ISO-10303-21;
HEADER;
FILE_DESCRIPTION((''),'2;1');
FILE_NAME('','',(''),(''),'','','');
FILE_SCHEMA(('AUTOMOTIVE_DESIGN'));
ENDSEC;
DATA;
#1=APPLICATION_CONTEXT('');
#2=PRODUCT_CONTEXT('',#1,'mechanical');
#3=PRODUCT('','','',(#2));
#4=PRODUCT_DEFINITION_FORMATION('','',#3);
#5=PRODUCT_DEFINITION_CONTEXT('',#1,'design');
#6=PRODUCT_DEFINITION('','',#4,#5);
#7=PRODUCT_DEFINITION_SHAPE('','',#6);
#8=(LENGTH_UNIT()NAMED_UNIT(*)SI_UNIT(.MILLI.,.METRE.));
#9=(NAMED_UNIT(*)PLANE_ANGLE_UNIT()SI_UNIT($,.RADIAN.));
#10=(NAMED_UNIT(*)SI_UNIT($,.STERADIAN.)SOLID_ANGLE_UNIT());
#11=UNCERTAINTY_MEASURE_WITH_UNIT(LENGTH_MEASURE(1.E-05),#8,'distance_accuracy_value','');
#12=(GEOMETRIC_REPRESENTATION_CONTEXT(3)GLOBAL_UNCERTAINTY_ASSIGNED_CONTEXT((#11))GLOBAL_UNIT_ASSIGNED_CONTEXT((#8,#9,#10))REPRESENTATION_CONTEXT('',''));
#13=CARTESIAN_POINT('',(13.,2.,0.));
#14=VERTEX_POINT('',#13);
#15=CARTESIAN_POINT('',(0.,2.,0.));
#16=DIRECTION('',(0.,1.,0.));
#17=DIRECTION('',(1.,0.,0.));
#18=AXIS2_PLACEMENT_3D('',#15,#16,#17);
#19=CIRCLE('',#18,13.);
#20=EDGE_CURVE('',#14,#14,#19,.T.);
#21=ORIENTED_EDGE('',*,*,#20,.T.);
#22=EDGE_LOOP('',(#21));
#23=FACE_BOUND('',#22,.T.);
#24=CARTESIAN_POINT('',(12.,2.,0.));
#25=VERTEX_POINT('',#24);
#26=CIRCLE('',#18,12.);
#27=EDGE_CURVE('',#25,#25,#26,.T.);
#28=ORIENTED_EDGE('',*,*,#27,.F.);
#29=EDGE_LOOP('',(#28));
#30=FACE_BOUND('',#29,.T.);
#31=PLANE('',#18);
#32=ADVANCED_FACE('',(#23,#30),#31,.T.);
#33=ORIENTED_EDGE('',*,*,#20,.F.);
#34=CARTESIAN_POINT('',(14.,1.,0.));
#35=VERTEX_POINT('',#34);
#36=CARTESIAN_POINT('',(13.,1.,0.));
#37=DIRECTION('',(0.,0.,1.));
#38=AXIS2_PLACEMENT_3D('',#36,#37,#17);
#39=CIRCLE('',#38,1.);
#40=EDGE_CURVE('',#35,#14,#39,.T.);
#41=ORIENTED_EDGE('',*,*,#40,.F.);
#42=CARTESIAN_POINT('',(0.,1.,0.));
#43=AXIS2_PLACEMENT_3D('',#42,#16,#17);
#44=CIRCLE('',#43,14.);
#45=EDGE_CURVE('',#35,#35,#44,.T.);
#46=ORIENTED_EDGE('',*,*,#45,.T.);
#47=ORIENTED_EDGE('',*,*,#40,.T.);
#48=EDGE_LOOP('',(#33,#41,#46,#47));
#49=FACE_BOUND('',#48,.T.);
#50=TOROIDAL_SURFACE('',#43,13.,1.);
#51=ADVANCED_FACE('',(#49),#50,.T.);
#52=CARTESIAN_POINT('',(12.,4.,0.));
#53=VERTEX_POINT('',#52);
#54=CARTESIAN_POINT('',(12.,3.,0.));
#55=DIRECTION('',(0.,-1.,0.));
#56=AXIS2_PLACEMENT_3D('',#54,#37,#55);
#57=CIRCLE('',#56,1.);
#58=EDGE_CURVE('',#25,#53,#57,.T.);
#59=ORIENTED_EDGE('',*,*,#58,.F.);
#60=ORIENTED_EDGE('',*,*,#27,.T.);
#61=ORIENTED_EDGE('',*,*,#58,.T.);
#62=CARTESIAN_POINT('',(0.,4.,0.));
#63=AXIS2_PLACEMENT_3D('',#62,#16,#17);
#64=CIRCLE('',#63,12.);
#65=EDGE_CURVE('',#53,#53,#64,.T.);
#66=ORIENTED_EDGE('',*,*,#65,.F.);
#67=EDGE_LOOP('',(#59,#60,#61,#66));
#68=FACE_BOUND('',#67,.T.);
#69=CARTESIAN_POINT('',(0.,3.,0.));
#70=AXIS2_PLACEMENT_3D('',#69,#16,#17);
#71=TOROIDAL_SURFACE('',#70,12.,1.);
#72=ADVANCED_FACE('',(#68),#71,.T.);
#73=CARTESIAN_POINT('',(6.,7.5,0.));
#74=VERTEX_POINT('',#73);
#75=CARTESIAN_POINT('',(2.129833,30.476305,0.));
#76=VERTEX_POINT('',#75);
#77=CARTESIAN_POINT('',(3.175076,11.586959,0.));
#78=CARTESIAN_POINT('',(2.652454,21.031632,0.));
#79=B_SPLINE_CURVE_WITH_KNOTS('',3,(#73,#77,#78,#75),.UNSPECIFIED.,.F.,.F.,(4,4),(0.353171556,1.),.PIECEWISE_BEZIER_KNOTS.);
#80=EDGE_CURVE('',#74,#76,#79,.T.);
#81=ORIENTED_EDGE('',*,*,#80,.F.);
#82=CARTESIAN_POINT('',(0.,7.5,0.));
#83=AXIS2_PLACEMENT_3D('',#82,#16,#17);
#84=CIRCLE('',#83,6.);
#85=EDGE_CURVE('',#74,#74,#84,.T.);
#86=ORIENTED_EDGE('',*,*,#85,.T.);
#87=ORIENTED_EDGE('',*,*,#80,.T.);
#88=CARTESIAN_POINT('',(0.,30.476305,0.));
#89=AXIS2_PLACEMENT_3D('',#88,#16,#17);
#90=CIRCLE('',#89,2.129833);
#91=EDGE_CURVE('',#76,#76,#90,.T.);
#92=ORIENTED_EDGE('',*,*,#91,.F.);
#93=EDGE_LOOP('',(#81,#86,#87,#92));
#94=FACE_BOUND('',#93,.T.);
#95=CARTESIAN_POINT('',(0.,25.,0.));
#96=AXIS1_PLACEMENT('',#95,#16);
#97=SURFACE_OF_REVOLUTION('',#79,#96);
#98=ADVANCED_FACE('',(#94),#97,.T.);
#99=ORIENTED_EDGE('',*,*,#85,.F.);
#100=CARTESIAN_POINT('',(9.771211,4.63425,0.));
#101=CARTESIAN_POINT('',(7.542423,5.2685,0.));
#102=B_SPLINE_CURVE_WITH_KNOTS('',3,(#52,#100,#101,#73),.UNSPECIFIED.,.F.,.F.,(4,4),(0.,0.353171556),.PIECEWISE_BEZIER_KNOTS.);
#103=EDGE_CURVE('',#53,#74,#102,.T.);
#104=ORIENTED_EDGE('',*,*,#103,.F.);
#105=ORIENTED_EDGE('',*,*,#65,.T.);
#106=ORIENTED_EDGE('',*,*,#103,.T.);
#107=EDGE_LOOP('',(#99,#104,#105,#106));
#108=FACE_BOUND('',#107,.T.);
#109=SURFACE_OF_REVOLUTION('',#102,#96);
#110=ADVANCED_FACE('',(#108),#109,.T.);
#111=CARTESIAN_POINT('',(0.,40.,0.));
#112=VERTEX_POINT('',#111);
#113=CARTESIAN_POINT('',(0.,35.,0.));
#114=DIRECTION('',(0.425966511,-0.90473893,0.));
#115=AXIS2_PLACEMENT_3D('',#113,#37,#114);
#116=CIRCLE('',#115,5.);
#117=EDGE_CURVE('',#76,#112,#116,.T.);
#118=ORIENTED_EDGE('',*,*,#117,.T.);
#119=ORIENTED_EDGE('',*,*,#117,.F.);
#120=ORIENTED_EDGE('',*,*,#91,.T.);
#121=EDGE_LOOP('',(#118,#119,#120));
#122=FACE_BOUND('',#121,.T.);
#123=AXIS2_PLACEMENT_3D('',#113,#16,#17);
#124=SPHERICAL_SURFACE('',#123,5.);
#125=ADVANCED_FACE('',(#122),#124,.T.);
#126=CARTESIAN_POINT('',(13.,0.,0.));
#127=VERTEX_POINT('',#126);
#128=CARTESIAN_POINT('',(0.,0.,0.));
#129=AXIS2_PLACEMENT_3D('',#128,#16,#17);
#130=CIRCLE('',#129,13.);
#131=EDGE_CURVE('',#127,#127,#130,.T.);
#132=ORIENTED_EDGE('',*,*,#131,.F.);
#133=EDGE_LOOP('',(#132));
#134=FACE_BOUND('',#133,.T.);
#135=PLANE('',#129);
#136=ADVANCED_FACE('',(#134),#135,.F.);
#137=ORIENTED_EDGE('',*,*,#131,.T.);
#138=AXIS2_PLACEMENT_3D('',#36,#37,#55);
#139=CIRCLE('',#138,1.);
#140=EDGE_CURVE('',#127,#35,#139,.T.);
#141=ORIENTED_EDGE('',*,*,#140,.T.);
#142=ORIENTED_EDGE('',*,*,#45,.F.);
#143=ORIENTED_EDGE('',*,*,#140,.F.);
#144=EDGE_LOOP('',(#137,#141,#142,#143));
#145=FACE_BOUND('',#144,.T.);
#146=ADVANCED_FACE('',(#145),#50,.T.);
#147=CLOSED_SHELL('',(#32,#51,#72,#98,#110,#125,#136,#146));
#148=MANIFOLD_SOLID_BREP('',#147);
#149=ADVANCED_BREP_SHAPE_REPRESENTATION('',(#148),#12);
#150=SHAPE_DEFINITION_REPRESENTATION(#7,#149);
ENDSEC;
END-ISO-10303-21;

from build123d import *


with BuildPart() as f1:
    # F0 (on Top) → F1 (revolve)
    with BuildSketch(Plane.XY):
        with BuildLine():
            Line((0, 7.5), (0, 0))
            Line((0, 0), (13, 0))
            ThreePointArc((13, 0), (12, 1), (13, 2))
            Line((13, 2), (12, 2))
            Line((12, 2), (12, 3))
            Line((12, 3), (12, 4))
            add(Edge.make_bspline(
                [(12, 4), (9.7712113884, 4.6342501124), (7.5424227768, 5.2685002249), (6, 7.5)],
                knots=[0, 0, 0, 0, 0.3531715555, 0.3531715555, 0.3531715555, 0.3531715555], degree=3))
            Line((6, 7.5), (0, 7.5))
        make_face()
        with BuildLine():
            Line((12, 3), (12, 2))
            ThreePointArc((12, 2), (13, 3), (12, 4))
            Line((12, 4), (12, 3))
        make_face()
        with BuildLine():
            Line((13, 1), (13, 0))
            ThreePointArc((13, 0), (13.7071067812, 0.2928932188), (14, 1))
            ThreePointArc((14, 1), (13.7071067812, 1.7071067812), (13, 2))
            Line((13, 2), (13, 1))
        make_face()
        with BuildLine():
            ThreePointArc((13, 2), (12, 1), (13, 0))
            Line((13, 0), (13, 1))
            Line((13, 1), (13, 2))
        make_face()
        with BuildLine():
            Line((0, 15), (0, 7.5))
            Line((0, 7.5), (6, 7.5))
            add(Edge.make_bspline(
                [(6, 7.5), (3.1750756535, 11.5869586076), (2.6524541044, 21.0316319788), (2.1298325553, 30.47630535)],
                knots=[0.3531715555, 0.3531715555, 0.3531715555, 0.3531715555, 1, 1, 1, 1], degree=3))
            ThreePointArc((2.1298325553, 30.47630535), (4.879470937, 36.0912210477), (0, 40))
            Line((0, 40), (0, 35))
            Line((0, 35), (0, 15))
        make_face()
    revolve(axis=Axis((0, 25, 0), (0, 1, 0)))


solid = f1.part
